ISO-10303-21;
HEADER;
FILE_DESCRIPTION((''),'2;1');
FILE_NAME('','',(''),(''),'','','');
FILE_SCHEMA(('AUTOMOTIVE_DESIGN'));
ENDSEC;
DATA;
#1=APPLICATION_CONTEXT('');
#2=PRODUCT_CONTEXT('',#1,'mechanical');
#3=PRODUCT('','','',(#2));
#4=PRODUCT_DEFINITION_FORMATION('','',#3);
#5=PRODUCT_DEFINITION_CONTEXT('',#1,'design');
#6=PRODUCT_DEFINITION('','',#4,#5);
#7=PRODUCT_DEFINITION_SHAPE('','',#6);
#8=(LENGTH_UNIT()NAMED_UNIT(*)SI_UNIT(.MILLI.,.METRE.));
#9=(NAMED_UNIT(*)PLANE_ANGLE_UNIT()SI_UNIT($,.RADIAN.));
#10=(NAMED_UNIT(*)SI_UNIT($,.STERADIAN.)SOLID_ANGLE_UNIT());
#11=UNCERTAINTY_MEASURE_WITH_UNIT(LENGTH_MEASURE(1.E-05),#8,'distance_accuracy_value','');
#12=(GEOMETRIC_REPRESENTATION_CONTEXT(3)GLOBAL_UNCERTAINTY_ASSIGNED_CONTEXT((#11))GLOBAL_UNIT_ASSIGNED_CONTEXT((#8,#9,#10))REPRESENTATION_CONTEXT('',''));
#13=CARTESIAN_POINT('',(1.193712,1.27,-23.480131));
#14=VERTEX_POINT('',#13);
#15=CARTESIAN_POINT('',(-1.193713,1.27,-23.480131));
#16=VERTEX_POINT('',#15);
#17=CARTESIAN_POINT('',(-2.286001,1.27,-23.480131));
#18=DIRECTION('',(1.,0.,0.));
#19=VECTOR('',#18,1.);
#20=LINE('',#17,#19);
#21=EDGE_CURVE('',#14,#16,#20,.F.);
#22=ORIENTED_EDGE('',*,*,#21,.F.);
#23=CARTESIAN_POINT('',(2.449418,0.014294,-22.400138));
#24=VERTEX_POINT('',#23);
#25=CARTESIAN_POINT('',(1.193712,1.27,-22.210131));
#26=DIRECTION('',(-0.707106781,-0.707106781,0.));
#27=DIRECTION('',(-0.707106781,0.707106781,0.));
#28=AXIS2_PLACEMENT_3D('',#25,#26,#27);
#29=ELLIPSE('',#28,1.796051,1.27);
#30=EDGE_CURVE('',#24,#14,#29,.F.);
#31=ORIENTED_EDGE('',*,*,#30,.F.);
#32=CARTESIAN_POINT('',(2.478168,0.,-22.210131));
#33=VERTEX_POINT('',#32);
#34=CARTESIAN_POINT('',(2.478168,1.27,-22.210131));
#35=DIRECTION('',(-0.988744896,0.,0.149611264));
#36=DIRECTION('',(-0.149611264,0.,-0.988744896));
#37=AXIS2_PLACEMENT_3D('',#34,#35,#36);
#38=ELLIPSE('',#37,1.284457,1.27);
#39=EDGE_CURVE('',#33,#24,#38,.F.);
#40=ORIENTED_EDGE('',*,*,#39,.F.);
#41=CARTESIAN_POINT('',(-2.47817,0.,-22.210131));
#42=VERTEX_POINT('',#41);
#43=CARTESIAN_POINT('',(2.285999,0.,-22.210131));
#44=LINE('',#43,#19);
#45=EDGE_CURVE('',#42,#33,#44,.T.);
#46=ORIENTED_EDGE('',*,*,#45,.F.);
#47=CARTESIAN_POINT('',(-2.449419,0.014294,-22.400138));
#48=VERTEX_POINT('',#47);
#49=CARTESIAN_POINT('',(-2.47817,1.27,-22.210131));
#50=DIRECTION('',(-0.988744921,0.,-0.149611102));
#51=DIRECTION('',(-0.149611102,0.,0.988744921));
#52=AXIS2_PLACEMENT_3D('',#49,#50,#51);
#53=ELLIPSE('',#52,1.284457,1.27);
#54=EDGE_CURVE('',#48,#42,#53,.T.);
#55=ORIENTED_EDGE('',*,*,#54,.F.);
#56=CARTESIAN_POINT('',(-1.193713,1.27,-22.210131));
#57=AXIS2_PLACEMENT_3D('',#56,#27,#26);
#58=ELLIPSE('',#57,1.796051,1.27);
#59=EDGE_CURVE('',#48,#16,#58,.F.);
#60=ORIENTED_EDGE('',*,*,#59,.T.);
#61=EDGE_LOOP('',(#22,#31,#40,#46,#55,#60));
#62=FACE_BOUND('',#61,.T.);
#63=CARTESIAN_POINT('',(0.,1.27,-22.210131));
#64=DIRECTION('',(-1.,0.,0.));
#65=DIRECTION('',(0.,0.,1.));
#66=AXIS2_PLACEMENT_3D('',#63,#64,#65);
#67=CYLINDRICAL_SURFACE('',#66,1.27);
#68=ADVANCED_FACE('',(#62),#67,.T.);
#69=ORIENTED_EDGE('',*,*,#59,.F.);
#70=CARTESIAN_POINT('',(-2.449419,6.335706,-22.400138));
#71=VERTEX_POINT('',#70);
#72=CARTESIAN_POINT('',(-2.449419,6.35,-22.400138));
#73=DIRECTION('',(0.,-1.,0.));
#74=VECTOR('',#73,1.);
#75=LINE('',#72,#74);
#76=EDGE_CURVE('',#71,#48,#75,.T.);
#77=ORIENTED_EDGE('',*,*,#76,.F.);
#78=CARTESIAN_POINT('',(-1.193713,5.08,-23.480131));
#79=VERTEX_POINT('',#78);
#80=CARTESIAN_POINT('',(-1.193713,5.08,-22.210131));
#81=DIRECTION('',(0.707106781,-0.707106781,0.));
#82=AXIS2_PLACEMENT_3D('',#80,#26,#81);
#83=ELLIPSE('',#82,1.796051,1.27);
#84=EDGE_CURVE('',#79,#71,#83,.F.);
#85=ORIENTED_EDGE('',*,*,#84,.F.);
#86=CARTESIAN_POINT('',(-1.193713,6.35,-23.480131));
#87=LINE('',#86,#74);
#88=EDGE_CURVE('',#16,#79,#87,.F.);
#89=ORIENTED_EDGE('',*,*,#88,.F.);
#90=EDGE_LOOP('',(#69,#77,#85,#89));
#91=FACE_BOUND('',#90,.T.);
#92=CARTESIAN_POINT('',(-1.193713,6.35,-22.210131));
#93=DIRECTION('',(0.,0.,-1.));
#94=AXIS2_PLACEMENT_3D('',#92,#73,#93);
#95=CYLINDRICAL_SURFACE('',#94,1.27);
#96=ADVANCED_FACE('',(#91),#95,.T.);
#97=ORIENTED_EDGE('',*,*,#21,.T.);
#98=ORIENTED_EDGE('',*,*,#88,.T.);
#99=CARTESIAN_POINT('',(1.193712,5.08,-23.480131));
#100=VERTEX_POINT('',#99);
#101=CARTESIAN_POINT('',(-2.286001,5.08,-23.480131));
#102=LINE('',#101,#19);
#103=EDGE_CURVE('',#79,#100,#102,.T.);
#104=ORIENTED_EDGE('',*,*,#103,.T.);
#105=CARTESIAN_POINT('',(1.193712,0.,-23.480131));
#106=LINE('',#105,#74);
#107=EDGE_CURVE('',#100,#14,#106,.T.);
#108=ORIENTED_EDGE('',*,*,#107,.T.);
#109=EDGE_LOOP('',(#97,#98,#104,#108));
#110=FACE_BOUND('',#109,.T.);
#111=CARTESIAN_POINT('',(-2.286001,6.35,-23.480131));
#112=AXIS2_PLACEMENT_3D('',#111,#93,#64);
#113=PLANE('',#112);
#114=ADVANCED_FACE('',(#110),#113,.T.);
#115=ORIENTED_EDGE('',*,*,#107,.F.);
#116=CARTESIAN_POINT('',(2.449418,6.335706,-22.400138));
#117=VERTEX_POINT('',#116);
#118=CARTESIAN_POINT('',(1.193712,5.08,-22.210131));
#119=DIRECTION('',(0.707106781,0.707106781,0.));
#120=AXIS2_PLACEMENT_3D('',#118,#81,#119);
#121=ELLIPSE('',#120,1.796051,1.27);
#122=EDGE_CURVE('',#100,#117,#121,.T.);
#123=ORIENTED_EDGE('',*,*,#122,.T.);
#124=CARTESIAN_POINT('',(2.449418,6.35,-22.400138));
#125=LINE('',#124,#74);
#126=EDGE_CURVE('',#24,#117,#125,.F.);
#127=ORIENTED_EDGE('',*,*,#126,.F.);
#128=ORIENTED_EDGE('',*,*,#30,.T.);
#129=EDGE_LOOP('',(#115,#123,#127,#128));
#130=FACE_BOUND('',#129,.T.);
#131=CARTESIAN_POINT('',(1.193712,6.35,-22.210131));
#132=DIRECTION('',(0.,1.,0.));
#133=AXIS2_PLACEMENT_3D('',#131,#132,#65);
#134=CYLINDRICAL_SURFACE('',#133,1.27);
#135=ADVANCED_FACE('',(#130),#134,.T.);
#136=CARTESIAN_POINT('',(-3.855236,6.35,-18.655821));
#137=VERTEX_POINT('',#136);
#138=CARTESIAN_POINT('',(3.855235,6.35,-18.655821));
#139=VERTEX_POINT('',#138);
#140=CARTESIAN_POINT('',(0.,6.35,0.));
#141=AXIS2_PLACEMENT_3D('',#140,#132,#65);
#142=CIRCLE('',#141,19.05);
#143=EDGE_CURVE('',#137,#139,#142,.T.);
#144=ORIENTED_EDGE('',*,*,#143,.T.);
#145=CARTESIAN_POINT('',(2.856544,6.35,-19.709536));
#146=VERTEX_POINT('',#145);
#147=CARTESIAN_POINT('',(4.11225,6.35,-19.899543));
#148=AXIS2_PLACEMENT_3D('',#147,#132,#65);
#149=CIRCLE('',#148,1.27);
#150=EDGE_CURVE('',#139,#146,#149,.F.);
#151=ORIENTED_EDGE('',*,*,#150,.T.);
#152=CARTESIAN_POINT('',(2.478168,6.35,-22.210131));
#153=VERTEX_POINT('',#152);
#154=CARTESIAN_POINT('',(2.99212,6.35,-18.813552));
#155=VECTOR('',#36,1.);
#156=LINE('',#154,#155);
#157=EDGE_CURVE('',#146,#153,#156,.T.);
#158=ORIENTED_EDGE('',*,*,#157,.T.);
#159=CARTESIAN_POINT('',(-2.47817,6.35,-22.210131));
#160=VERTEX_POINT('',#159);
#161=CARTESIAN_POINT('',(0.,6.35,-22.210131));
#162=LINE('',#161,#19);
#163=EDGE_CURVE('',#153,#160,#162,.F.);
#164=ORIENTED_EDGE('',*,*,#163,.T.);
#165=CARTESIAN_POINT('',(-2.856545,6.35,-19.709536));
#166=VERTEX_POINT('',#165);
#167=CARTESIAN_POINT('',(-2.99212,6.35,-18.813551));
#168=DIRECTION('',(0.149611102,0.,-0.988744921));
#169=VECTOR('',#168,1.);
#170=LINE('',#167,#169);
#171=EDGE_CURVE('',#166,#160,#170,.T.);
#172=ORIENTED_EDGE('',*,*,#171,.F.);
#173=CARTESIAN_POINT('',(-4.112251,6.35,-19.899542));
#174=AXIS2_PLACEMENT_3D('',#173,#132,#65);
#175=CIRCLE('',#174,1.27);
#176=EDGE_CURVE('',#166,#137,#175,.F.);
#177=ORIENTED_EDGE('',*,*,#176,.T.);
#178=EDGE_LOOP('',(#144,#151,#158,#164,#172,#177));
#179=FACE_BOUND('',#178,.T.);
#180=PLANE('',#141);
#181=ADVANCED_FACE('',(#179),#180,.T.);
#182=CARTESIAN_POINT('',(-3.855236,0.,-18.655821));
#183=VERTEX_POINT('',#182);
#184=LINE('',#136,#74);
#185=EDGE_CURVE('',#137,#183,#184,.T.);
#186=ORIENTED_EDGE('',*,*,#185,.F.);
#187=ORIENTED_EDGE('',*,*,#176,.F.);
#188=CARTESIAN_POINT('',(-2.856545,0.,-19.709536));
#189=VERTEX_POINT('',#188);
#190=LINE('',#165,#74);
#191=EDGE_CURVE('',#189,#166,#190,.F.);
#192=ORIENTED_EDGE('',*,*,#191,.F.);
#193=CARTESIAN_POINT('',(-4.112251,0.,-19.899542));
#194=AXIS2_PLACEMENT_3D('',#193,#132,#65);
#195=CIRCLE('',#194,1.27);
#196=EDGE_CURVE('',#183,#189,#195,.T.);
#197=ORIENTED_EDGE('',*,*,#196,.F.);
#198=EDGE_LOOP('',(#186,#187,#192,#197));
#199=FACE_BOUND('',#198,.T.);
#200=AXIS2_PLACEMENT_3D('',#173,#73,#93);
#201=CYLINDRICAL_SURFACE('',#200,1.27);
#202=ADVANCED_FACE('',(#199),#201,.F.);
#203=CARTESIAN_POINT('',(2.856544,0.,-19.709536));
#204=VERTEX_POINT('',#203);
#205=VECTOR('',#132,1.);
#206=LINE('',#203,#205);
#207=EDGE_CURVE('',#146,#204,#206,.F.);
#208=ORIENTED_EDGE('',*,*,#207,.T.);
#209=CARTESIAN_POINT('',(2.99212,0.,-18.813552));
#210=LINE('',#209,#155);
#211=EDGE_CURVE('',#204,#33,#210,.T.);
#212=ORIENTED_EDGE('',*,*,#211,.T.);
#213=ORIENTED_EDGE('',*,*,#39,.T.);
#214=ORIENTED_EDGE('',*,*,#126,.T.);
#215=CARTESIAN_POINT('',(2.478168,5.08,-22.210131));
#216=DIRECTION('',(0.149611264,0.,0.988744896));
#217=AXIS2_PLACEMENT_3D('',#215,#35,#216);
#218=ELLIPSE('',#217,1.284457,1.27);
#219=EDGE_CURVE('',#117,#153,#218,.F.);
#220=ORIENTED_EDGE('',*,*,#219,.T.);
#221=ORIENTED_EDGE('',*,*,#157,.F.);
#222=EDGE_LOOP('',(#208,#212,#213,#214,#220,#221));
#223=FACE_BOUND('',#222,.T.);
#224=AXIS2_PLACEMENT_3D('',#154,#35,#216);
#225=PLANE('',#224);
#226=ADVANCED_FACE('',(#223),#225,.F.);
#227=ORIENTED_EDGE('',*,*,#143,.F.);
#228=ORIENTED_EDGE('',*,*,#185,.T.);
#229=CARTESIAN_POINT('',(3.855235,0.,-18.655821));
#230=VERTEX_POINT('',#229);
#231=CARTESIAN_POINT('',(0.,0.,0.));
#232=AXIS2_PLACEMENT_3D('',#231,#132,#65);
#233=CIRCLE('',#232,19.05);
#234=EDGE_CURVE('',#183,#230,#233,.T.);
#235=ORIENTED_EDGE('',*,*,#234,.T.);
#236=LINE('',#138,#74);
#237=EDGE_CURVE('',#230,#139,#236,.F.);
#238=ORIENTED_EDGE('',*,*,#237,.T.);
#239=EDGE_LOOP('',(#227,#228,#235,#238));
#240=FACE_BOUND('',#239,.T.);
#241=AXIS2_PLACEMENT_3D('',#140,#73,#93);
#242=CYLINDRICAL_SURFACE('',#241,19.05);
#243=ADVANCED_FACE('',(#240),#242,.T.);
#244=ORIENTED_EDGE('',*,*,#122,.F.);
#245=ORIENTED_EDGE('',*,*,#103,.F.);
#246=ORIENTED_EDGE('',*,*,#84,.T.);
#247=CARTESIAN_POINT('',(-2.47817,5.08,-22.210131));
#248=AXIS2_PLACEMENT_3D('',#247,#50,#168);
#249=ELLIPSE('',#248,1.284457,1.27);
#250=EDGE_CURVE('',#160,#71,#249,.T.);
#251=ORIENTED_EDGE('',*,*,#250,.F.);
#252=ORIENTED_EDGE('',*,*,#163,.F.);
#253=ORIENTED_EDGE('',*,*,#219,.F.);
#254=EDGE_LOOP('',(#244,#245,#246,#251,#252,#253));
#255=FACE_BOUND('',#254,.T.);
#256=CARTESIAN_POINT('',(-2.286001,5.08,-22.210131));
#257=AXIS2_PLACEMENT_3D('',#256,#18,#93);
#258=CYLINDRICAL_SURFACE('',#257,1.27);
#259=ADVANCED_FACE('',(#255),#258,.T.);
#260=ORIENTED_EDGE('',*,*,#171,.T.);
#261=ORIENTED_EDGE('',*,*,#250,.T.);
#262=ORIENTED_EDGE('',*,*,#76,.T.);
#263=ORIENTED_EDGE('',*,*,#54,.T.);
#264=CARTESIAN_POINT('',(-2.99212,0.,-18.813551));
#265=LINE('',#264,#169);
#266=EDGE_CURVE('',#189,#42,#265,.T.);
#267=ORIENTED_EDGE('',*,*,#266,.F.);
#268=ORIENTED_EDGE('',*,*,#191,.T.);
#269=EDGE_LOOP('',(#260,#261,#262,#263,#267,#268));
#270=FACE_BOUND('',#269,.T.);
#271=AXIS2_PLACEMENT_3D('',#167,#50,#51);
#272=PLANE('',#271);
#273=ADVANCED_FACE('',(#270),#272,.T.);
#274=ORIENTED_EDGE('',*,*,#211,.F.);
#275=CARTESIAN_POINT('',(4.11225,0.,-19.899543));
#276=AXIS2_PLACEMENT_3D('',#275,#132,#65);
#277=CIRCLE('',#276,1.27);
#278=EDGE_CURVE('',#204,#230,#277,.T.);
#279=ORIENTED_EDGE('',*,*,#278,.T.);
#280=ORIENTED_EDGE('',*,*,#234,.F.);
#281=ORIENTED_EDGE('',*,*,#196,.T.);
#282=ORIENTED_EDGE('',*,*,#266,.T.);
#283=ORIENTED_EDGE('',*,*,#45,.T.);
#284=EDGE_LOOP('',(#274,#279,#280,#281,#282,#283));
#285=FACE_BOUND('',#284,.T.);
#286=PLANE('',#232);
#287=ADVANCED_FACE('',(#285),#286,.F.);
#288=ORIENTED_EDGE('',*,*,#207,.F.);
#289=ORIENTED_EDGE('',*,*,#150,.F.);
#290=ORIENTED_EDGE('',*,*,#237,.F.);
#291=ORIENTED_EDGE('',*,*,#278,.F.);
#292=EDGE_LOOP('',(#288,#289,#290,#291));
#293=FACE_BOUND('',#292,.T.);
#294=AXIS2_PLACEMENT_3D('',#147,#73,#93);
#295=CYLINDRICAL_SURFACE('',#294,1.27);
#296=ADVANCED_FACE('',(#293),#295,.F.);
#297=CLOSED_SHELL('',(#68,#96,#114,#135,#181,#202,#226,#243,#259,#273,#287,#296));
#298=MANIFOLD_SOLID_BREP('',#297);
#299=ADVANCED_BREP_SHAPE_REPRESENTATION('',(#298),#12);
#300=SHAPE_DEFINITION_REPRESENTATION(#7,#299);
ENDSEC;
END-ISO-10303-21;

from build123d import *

# Parameters (mm, degrees)
SKETCH1_R           = 19.05
BOSS_EXTRUDE1_DEPTH = 6.35
BOSS_EXTRUDE2_DEPTH = 6.35
FILLET13_R          = 1.27
FILLET15_R          = 1.27


with BuildPart() as part:
    # Sketch1 → Boss-Extrude1 (new body)
    with BuildSketch(Plane(origin=(0, 0, 0), x_dir=(1, 0, 0), z_dir=(0, 1, 0))):
        with Locations(Location((0, 0, 0), (0, 0, 270))):
            Circle(SKETCH1_R)
    extrude(amount=BOSS_EXTRUDE1_DEPTH)

    # Sketch2 → Boss-Extrude2 (add)
    with BuildSketch(Plane(origin=(0, 0, 0), x_dir=(1, 0, 0), z_dir=(0, 1, 0))):
        Polygon((-2.992120362, 18.813551386), (-2.286000743, 23.480131449), (2.285999257, 23.480131449), (2.992119638, 18.813551501), align=None)
    extrude(amount=BOSS_EXTRUDE2_DEPTH)

    # Fillet13
    fillet13_edges = [part.edges().sort_by_distance(p)[0] for p in [
        (2.285999257, 3.175, -23.480131449),
        (-2.286000743, 3.175, -23.480131449),
        (-7.43e-07, 0, -23.480131449),
        (-7.43e-07, 6.35, -23.480131449),
    ]]
    fillet(fillet13_edges, radius=FILLET13_R)

    # Fillet15
    fillet15_edges = [part.edges().sort_by_distance(p)[0] for p in [
        (-2.992120362, 3.175, -18.813551386),
        (2.992119638, 3.175, -18.813551501),
    ]]
    fillet(fillet15_edges, radius=FILLET15_R)


solid = part.part
